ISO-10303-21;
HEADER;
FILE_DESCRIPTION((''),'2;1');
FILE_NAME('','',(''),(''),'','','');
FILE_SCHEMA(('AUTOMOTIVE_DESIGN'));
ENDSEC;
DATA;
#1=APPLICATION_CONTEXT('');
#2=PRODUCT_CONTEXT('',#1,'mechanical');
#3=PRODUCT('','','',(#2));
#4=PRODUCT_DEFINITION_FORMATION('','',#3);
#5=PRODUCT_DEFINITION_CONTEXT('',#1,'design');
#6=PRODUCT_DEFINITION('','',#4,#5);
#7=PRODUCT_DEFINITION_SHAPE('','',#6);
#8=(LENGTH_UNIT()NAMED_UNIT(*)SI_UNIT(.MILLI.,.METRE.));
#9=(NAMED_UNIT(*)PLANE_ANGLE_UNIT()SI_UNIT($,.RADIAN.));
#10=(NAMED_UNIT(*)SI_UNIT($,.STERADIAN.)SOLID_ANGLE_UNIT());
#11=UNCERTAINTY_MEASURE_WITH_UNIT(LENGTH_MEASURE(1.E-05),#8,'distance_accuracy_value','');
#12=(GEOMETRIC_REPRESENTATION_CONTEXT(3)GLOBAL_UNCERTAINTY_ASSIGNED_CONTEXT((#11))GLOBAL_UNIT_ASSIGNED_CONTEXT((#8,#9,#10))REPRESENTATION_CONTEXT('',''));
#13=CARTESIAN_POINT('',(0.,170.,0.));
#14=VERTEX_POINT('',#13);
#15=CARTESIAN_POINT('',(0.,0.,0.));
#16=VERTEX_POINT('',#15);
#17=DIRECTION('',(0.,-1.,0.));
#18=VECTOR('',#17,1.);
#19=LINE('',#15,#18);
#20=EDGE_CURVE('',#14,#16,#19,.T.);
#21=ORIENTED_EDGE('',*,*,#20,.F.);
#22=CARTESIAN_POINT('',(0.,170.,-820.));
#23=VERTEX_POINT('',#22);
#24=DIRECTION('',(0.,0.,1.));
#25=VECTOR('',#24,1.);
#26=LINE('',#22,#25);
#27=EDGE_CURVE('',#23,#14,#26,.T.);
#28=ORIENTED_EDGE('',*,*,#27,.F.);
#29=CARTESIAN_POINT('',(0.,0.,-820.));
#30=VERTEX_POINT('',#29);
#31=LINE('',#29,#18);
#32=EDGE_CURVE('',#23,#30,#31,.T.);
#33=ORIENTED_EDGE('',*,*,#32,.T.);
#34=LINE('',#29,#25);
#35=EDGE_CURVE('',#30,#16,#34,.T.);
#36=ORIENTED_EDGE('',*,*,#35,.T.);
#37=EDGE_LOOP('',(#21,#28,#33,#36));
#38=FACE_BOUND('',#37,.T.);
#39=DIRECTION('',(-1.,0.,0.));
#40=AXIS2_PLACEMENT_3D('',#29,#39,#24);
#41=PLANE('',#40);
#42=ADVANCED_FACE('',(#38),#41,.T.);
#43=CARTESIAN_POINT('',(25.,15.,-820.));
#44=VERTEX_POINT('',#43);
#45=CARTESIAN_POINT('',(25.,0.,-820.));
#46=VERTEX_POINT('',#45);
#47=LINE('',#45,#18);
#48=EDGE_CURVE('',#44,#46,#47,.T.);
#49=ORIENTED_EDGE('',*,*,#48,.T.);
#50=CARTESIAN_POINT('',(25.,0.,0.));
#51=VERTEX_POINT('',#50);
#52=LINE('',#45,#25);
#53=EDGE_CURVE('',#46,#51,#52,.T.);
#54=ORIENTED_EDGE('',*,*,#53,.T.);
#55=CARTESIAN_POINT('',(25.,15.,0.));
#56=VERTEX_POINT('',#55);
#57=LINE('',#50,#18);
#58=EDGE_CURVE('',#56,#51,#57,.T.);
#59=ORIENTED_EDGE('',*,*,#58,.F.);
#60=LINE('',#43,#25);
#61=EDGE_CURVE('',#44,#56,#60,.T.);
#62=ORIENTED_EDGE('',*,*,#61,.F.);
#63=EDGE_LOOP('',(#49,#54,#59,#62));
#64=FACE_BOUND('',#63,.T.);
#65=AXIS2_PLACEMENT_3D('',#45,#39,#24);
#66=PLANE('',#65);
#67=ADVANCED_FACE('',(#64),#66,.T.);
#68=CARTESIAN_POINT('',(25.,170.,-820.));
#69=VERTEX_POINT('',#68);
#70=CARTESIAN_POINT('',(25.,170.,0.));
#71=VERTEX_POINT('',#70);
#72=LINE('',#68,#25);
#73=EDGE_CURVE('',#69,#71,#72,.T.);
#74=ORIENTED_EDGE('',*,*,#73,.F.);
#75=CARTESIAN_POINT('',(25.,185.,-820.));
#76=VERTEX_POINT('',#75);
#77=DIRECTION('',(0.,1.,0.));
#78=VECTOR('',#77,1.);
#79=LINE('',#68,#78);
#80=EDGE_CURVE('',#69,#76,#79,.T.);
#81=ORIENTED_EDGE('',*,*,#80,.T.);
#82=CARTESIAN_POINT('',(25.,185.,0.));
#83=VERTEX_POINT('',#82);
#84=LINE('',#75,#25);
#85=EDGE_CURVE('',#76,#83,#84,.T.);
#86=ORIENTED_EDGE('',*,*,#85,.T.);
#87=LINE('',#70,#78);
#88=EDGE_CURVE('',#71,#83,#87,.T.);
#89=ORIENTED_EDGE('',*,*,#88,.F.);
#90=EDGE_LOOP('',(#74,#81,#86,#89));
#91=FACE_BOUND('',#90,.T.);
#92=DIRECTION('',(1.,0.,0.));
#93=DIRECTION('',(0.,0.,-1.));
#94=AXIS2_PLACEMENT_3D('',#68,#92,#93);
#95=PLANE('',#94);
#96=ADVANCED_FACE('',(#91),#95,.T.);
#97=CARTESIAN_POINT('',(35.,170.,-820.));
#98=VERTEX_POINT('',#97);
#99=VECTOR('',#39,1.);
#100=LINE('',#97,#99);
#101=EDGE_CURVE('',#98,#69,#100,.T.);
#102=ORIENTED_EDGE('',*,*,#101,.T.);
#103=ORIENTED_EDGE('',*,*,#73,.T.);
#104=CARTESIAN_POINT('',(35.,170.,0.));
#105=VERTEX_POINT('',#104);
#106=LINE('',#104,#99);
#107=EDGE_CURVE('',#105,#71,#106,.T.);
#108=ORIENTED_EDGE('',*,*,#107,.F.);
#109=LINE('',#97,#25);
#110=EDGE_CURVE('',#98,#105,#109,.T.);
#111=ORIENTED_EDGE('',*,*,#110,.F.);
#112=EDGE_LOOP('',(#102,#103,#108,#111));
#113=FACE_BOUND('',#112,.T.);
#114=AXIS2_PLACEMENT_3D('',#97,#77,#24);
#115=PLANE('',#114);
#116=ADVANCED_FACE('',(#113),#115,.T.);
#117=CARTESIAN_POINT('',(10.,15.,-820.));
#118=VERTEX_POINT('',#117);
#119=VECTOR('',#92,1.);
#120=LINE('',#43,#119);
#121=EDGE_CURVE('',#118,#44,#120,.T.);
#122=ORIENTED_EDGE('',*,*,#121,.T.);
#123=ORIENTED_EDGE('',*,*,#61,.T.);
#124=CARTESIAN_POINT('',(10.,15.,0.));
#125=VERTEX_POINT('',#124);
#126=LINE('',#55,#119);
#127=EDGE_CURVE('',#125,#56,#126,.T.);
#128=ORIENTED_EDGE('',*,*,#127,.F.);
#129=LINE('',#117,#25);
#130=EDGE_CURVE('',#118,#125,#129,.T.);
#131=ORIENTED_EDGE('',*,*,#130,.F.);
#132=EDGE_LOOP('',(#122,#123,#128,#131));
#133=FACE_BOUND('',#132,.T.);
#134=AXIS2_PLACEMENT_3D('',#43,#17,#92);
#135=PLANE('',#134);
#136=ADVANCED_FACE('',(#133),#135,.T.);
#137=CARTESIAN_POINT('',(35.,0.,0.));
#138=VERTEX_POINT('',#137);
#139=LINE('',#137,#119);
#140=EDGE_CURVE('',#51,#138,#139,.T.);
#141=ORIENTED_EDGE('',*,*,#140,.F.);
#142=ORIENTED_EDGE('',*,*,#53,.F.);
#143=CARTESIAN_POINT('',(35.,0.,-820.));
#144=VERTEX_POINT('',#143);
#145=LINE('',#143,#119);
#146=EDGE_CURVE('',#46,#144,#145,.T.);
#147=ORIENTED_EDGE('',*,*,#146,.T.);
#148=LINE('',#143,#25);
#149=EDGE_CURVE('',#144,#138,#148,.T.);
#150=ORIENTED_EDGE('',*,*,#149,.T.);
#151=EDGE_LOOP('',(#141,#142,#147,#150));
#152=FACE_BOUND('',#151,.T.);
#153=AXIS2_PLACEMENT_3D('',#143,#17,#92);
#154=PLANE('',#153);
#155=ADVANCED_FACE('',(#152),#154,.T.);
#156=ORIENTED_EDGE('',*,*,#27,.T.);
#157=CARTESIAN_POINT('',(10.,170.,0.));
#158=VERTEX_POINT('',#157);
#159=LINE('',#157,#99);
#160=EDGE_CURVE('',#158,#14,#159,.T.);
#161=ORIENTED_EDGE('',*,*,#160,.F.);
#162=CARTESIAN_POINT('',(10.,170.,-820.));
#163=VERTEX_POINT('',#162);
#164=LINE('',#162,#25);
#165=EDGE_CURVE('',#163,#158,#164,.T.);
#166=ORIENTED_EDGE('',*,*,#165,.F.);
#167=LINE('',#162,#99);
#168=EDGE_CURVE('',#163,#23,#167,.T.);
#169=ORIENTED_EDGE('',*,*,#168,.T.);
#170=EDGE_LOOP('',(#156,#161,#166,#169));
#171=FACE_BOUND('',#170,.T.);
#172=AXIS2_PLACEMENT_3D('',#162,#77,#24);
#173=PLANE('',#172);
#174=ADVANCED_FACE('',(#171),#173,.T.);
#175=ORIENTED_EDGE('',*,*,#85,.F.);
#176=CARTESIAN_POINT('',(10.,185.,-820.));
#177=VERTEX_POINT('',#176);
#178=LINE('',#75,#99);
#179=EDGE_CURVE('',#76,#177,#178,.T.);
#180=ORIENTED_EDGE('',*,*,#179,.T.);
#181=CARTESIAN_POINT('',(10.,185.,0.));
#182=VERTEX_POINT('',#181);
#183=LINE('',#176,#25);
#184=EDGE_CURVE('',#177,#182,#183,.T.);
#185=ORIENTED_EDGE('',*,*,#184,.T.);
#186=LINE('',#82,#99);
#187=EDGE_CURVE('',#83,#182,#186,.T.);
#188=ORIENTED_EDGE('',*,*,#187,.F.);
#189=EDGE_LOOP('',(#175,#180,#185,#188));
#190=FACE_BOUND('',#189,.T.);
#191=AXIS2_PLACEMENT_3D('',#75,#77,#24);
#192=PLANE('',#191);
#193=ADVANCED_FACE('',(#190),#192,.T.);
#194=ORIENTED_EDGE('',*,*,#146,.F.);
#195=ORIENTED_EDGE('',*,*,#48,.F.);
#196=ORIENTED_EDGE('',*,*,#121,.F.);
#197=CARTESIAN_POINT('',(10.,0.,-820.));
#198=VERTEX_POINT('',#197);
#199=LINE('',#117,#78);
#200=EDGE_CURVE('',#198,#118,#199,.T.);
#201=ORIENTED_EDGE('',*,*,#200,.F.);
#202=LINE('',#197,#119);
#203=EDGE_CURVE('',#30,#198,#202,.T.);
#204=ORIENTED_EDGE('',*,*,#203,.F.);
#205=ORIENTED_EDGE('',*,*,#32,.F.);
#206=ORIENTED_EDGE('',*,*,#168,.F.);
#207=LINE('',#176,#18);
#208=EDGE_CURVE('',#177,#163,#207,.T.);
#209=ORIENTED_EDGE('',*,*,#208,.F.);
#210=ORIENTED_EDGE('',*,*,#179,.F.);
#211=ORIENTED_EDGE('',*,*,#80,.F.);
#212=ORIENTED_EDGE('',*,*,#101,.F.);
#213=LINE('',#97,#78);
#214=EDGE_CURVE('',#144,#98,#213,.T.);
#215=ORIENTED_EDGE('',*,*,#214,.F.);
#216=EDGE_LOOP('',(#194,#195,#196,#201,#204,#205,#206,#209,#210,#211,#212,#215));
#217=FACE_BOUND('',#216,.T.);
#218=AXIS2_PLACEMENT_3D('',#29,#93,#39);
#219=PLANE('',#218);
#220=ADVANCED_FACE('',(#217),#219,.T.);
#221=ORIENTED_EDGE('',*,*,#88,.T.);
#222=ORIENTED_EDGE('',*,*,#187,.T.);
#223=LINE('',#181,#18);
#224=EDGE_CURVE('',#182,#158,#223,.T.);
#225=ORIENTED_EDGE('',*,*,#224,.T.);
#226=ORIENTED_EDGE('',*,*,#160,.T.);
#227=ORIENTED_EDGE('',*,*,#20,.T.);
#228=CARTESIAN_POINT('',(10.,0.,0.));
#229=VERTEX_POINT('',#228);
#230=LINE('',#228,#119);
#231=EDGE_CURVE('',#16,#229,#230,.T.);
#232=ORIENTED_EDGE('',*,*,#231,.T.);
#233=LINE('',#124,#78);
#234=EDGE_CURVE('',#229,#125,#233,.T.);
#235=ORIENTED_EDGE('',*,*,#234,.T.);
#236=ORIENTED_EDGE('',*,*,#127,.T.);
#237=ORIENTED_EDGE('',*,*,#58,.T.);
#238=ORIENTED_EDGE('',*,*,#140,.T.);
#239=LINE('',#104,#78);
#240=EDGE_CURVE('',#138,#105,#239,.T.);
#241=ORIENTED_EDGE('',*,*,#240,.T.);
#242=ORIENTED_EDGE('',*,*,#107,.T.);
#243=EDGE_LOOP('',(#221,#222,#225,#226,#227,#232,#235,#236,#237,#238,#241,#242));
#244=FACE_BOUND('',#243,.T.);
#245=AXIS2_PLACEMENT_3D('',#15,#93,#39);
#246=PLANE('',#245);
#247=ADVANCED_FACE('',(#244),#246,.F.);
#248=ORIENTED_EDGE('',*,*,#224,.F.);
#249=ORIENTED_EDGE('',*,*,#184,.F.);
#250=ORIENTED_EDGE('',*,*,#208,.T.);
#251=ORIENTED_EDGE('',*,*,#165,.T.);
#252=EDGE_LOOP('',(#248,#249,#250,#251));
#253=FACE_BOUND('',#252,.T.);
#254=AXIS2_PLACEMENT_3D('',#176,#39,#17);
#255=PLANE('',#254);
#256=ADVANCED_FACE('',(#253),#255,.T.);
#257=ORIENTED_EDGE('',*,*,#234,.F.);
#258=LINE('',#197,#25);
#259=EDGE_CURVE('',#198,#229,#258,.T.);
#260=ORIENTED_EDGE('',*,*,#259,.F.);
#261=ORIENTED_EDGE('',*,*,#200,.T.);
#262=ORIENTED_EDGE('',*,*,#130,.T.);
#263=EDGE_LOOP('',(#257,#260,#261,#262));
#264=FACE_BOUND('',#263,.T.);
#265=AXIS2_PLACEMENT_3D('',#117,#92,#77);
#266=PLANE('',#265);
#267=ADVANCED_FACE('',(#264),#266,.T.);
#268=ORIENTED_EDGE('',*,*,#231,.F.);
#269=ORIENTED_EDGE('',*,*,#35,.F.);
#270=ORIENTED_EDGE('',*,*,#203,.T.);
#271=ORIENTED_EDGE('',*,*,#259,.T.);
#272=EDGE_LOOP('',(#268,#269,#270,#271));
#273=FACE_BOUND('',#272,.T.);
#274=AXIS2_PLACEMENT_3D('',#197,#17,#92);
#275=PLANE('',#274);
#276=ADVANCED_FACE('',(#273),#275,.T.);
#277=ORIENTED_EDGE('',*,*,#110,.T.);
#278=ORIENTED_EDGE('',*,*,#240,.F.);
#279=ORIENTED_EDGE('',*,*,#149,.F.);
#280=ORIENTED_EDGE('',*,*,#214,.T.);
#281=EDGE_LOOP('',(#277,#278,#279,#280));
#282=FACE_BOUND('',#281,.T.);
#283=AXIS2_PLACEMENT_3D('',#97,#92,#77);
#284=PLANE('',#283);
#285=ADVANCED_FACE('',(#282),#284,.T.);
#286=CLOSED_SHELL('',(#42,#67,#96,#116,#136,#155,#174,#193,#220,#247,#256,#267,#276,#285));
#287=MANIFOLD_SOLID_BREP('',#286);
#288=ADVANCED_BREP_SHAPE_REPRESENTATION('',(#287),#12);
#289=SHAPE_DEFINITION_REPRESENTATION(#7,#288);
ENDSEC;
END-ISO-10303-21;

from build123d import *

# Parameters (mm, degrees)
EXTRUDE_1_DEPTH = 820


with BuildPart() as part:
    # Эскиз1 → Бобышка-Вытянуть1 (new body)
    with BuildSketch(Plane.XY):
        Polygon((0, 0), (0, 170), (10, 170), (10, 185), (25, 185), (25, 170), (35, 170), (35, 0), (25, 0), (25, 15), (10, 15), (10, 0), align=None)
    extrude(amount=-EXTRUDE_1_DEPTH)


solid = part.part
